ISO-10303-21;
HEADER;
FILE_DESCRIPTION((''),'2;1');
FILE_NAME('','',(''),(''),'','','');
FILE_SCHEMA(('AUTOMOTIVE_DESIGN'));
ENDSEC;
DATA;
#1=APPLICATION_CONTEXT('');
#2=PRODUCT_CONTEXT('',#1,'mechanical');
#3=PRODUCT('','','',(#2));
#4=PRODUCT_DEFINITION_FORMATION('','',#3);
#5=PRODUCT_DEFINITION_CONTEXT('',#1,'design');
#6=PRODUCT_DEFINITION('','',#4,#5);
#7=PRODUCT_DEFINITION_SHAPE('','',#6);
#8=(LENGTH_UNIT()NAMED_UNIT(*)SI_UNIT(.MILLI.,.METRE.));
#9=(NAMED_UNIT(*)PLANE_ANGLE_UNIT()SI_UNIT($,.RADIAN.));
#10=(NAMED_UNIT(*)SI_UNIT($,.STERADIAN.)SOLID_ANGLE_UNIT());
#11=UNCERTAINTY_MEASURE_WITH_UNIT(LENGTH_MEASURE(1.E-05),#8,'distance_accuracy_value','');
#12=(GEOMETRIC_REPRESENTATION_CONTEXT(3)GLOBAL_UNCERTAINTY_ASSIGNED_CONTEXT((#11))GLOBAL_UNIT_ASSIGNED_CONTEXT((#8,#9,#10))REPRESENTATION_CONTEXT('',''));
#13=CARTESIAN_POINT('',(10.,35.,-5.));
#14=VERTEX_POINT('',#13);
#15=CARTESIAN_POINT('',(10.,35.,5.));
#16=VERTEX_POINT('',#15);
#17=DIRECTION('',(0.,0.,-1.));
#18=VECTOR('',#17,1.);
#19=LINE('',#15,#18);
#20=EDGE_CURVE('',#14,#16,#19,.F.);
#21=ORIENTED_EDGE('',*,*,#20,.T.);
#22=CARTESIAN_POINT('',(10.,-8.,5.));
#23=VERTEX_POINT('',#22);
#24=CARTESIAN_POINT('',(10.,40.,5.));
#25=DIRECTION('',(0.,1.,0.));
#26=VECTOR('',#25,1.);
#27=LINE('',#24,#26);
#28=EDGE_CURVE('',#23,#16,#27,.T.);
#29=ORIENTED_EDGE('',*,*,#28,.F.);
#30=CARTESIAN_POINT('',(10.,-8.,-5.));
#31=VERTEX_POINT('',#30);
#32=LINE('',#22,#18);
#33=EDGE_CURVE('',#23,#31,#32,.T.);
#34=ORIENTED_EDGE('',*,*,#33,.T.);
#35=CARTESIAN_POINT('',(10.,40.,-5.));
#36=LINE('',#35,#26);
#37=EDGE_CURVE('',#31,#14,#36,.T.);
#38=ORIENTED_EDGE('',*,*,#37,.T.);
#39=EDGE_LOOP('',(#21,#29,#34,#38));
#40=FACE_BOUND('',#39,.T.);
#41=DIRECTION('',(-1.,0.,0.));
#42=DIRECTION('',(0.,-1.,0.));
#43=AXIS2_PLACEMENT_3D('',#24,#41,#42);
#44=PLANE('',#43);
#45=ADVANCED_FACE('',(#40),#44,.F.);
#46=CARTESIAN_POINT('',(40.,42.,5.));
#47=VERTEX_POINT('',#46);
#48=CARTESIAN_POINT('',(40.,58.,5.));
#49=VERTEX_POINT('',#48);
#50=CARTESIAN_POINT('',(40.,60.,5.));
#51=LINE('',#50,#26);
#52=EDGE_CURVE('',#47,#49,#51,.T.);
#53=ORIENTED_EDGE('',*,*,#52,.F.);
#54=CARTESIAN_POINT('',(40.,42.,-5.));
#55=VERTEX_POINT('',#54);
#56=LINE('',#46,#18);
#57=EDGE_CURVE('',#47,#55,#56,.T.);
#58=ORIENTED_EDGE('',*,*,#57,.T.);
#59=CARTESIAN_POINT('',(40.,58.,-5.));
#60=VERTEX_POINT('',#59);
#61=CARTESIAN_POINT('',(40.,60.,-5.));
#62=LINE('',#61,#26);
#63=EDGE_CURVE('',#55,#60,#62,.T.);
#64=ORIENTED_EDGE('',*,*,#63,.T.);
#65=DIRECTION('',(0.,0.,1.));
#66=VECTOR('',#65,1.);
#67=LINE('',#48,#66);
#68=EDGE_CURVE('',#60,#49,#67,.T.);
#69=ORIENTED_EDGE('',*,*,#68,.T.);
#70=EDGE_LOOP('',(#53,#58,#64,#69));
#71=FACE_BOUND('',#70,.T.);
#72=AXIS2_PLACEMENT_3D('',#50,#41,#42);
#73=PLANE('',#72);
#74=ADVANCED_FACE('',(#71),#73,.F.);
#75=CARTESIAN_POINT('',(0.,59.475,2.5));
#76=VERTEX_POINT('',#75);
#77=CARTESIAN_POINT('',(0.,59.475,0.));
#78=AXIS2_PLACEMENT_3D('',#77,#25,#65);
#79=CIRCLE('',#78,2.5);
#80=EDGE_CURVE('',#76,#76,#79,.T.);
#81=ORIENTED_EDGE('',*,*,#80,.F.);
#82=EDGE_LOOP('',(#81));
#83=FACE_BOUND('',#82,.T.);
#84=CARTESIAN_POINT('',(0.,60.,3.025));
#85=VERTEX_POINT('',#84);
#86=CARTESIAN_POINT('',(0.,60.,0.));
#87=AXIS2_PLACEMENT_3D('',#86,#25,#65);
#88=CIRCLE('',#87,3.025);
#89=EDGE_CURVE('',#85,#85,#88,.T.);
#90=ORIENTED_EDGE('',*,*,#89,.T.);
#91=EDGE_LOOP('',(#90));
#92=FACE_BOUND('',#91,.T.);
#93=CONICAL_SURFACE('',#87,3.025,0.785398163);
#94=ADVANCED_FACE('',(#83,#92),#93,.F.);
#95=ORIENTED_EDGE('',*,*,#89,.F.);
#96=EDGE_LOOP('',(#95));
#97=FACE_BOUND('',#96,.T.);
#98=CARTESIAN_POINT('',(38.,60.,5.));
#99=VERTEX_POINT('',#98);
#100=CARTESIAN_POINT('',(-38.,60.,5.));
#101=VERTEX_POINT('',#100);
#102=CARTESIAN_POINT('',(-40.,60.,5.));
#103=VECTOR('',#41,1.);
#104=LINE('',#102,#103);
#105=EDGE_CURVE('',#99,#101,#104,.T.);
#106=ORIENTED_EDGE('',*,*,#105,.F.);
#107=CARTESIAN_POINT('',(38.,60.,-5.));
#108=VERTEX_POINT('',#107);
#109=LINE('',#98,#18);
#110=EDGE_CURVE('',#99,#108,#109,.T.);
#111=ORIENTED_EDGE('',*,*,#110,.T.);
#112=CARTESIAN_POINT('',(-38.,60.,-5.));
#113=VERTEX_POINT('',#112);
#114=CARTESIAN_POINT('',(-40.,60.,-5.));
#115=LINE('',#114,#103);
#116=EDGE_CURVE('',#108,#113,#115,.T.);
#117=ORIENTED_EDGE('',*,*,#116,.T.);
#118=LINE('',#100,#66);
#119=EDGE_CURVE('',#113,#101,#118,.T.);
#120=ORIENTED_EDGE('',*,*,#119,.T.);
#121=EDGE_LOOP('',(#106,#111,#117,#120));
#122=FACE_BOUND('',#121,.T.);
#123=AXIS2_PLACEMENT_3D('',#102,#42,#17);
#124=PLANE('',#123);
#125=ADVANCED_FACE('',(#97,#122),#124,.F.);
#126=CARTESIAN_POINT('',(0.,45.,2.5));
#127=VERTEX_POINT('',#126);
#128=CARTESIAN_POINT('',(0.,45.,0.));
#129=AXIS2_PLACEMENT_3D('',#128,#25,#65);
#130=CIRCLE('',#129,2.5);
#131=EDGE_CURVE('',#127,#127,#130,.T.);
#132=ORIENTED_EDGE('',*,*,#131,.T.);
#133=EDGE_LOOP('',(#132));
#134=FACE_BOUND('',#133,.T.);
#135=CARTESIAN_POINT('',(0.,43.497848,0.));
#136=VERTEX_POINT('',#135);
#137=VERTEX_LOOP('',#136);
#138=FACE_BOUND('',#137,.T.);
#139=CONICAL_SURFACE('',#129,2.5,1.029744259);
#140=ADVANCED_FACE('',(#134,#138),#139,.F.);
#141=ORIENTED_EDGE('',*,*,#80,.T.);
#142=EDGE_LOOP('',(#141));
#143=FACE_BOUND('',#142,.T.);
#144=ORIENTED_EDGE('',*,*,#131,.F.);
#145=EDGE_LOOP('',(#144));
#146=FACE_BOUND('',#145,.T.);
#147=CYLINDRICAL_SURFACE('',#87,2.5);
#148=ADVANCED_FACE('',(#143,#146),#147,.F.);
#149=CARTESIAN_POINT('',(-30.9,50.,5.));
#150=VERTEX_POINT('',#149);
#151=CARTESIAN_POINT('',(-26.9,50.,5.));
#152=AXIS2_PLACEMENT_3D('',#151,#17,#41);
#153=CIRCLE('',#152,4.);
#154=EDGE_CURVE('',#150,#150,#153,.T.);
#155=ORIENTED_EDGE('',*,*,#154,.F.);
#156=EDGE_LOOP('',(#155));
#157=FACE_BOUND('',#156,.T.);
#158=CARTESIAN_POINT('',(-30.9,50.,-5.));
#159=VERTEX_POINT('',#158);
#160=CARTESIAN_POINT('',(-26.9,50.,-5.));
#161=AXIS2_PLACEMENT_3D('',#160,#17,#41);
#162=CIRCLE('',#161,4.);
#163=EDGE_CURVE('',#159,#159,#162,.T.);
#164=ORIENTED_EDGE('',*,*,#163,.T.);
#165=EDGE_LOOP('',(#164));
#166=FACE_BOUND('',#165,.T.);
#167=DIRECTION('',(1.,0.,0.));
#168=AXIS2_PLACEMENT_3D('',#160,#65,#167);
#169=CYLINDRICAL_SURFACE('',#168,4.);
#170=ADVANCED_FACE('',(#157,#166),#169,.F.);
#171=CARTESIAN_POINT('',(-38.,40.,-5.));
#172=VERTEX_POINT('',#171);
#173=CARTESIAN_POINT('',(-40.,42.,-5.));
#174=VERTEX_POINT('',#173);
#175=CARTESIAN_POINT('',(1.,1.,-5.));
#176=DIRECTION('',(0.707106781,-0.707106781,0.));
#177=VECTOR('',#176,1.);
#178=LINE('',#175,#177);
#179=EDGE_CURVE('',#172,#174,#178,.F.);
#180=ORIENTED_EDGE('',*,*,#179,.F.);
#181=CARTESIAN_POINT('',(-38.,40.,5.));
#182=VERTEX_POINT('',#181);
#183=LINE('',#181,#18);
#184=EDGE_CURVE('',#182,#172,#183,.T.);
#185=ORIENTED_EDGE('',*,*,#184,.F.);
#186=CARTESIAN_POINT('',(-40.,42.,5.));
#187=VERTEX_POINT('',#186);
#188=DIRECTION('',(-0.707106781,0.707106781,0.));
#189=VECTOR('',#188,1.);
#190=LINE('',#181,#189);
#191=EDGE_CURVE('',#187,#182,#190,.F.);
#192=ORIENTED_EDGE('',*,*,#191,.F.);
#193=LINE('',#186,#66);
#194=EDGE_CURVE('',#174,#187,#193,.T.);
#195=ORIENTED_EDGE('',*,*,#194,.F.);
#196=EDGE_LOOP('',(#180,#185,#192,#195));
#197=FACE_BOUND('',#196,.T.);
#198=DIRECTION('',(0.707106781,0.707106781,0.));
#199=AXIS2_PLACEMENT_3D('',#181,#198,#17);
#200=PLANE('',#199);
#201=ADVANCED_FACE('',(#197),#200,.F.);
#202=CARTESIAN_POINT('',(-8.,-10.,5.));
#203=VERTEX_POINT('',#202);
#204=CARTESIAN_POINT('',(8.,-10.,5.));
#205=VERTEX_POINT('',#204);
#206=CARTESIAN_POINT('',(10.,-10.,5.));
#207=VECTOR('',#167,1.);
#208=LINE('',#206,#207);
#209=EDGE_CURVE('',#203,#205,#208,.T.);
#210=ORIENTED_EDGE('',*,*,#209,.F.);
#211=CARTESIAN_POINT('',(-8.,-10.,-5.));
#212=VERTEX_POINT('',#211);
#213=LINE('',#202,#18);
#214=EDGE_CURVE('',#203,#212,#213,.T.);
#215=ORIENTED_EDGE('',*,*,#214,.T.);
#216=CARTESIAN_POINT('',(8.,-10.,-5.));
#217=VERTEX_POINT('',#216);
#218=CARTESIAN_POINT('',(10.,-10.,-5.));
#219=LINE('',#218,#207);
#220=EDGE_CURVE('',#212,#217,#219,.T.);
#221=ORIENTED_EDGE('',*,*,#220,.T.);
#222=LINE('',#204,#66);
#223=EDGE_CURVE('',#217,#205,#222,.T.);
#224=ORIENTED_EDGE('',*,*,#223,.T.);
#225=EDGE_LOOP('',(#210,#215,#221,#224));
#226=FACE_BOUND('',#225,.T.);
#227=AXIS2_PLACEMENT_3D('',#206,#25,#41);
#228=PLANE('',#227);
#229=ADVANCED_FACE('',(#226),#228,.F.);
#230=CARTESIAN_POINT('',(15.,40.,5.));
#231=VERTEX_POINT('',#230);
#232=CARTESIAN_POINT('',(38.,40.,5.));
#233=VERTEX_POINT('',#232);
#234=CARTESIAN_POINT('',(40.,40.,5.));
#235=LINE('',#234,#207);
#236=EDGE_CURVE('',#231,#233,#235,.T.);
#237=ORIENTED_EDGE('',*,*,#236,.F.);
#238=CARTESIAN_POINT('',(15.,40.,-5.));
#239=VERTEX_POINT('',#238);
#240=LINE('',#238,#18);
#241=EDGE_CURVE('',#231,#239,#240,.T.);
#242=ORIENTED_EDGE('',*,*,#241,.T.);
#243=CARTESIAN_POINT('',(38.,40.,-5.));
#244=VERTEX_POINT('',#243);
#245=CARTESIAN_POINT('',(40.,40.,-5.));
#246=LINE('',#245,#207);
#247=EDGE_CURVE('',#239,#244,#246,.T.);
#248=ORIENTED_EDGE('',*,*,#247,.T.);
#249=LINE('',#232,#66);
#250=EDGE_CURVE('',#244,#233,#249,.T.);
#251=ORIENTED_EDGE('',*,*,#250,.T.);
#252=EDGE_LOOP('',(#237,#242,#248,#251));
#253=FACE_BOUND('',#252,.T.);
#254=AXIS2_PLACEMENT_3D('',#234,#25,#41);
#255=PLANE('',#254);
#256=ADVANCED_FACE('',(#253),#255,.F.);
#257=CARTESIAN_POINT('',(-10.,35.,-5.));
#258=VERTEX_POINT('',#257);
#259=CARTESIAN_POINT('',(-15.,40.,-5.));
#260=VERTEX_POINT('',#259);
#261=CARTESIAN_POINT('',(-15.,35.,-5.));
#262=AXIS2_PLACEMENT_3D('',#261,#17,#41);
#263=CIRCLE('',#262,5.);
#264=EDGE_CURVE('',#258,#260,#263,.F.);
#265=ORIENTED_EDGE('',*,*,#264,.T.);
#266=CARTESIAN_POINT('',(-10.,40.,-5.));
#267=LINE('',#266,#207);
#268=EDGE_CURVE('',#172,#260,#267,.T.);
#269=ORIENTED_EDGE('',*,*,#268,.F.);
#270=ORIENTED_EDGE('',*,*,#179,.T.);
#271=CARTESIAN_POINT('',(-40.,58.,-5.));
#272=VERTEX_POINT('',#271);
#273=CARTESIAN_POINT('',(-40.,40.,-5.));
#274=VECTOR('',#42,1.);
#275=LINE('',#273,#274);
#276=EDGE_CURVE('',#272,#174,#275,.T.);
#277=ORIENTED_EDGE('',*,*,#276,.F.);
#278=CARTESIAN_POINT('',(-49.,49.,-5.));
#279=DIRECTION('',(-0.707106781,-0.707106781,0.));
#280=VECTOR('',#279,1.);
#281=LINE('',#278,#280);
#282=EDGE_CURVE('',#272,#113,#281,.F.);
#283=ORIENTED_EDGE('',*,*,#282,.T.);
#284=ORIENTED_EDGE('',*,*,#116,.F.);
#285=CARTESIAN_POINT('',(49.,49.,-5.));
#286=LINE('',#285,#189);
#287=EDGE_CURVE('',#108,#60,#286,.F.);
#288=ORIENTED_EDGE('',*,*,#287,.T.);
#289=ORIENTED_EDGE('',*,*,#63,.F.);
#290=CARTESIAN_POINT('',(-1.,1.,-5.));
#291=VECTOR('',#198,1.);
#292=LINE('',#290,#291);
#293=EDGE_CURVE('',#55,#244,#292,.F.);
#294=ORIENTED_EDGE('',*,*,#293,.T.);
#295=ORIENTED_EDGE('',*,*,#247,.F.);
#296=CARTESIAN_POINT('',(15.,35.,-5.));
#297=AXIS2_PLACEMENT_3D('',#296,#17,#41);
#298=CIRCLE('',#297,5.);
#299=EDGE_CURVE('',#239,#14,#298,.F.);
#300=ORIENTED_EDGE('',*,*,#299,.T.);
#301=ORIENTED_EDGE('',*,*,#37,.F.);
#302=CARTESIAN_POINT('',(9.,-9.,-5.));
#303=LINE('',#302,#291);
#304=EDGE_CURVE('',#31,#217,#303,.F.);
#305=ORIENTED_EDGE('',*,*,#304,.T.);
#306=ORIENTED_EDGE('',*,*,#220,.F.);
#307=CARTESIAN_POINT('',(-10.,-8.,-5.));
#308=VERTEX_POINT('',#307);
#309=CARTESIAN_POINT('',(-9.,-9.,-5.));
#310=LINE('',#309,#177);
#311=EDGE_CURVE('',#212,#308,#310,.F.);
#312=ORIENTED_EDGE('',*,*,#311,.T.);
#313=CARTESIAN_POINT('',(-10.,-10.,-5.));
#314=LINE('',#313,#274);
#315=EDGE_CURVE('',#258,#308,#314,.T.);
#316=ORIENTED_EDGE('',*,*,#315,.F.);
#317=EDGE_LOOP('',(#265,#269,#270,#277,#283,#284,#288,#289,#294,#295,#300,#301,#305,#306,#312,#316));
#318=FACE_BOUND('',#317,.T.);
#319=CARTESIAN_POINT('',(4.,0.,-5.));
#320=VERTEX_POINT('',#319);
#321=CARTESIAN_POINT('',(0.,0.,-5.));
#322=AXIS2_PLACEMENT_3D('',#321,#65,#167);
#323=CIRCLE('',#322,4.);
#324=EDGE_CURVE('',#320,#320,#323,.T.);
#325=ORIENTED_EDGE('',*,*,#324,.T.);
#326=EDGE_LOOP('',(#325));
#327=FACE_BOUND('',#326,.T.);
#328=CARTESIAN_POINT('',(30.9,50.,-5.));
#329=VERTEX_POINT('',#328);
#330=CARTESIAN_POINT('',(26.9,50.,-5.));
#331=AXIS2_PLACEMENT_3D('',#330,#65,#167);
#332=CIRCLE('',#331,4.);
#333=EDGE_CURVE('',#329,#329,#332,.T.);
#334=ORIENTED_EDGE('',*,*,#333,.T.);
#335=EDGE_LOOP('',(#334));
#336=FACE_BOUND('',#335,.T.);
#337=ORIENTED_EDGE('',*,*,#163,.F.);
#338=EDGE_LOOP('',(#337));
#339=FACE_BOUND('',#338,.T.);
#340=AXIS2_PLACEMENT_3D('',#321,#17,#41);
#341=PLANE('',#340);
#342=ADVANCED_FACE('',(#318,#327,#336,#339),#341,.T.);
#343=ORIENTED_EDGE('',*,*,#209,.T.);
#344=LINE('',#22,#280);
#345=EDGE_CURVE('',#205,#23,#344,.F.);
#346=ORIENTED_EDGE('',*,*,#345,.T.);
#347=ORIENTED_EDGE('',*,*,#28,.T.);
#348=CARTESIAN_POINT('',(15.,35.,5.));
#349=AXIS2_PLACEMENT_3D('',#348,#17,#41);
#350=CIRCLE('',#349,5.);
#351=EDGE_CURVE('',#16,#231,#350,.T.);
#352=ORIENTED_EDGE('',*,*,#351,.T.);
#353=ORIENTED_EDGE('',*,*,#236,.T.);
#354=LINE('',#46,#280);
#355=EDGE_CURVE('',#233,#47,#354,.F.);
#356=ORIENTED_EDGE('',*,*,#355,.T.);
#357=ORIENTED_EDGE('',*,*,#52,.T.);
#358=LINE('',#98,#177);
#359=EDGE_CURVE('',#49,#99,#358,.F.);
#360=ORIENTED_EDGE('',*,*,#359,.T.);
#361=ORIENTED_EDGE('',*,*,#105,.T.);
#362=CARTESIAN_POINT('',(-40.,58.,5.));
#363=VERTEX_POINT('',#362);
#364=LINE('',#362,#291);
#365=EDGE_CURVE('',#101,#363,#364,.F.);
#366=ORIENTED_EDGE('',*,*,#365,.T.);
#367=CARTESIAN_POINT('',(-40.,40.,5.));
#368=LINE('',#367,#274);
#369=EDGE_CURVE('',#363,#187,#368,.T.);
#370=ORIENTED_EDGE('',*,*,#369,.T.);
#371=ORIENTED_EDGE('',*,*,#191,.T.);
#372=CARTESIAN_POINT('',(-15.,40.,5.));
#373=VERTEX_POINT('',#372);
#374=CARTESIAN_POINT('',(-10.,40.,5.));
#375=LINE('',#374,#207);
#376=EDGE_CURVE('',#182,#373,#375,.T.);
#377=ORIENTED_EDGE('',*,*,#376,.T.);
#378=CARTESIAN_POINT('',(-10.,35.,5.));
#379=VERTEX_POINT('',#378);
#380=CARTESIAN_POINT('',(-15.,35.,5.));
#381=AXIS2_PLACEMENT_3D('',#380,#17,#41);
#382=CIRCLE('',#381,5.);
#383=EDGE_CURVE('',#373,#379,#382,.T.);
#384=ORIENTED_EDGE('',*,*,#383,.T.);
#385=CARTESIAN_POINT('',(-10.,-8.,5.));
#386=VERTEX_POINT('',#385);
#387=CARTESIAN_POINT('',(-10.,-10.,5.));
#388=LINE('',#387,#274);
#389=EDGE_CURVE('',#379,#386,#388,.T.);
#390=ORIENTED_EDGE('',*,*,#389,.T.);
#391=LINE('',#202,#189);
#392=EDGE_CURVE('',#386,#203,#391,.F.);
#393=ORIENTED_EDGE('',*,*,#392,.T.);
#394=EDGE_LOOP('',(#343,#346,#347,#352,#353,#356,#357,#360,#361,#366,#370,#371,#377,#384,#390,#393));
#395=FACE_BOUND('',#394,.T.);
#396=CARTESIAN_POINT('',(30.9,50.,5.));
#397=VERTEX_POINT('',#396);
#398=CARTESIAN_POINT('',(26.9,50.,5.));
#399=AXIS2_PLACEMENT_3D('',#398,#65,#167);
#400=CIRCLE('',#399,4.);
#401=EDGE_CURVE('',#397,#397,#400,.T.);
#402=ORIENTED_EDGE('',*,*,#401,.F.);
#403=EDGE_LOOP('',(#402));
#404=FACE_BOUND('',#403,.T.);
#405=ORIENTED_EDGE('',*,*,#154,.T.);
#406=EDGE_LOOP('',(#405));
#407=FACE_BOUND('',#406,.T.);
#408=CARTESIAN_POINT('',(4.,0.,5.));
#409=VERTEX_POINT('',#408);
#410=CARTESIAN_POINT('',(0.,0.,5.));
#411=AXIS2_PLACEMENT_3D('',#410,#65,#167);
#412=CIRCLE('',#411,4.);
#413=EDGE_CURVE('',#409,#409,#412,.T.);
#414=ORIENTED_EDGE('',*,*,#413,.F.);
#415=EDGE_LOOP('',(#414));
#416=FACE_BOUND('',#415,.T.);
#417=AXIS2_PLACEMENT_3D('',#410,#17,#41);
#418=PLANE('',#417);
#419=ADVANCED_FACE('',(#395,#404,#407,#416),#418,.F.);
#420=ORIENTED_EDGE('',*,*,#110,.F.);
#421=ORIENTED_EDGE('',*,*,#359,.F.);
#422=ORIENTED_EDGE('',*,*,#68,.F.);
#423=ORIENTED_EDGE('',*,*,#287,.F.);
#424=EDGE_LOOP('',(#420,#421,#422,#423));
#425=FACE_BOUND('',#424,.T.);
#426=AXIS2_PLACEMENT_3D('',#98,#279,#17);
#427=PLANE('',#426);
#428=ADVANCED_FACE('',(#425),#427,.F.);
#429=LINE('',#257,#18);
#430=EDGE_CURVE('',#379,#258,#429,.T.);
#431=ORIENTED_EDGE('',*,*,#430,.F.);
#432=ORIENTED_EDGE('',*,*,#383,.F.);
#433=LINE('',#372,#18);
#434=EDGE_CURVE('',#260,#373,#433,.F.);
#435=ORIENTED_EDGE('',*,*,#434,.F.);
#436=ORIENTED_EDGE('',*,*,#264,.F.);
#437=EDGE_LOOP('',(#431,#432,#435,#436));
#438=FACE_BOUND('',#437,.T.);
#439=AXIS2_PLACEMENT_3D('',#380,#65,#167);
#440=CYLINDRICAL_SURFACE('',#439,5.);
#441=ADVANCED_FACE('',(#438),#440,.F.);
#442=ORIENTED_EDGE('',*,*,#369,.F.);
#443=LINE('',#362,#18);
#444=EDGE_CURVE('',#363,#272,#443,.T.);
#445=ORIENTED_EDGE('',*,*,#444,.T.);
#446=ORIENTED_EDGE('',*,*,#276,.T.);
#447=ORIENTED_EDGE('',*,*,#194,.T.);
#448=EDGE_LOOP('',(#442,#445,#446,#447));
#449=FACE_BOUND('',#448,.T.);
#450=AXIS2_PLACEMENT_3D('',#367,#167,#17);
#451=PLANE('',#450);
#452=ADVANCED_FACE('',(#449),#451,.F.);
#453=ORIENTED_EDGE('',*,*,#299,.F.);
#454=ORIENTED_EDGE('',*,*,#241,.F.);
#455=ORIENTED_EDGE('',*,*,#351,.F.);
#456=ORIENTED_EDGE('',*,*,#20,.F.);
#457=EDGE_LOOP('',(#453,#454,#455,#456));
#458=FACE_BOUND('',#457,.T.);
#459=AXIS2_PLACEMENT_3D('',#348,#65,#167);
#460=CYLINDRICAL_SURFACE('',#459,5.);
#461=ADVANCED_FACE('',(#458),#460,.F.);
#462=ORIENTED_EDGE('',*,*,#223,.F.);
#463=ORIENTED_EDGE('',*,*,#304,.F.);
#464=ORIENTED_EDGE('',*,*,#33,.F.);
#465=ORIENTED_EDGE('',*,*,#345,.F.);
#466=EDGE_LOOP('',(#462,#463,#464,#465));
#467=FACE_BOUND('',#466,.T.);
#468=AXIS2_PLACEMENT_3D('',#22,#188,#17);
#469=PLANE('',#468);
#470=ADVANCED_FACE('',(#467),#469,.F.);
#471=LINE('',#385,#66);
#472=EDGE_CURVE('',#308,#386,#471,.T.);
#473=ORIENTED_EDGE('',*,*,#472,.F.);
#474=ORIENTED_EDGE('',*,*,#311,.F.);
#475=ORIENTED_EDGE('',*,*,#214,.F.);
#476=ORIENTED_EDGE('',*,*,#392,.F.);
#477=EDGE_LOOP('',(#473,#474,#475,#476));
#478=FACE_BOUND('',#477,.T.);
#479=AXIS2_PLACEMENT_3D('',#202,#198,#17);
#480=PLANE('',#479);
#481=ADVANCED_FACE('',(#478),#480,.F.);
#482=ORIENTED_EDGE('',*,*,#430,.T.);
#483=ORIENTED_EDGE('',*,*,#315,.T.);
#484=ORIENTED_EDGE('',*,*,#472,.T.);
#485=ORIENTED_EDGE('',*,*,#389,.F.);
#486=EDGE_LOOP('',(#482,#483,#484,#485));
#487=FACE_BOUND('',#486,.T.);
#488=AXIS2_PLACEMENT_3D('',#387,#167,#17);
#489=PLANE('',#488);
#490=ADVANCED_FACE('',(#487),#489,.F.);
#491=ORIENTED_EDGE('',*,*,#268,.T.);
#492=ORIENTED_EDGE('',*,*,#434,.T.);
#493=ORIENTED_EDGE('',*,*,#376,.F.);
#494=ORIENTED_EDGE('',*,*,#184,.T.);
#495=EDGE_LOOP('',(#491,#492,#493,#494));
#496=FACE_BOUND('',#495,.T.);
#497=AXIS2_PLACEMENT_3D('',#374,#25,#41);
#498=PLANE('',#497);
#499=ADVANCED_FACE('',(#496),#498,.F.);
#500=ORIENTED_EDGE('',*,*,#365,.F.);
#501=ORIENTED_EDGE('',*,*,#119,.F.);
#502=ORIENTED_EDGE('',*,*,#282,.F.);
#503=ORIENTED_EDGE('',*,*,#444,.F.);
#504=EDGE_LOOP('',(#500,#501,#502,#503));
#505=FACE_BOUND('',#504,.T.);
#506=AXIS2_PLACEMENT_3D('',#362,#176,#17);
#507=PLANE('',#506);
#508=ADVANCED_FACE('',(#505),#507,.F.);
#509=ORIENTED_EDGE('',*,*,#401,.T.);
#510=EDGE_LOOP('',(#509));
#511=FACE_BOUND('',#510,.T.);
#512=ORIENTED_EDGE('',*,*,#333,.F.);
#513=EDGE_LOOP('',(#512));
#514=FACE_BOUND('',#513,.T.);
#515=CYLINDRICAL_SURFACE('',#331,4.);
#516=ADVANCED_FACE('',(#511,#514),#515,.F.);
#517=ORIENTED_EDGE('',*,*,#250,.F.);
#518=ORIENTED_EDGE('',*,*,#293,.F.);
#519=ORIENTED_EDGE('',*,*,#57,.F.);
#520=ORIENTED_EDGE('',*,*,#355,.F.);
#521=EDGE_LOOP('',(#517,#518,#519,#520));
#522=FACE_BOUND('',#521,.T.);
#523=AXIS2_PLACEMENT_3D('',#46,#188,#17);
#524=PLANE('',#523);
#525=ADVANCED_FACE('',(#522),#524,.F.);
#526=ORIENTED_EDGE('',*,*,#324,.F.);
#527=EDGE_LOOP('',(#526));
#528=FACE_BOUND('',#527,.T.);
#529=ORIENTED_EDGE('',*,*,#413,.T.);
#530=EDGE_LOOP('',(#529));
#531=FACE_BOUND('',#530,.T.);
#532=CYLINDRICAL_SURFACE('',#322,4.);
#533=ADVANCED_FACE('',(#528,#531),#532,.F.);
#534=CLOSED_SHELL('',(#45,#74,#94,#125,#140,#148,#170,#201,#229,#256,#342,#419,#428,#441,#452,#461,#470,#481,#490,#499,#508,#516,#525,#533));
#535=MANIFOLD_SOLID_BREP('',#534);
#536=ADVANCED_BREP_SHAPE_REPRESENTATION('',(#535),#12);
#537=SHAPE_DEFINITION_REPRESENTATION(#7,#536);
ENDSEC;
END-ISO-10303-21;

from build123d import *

# Parameters (mm, degrees)
PROFILE_SHAPE_DEPTH            = 5
SKETCH2_R                      = 4
LOWER_HOLE_DEPTH               = 11
SKETCH3_R                      = 4
UPPER_HOLE_RIGHT_DEPTH         = 11
M6_TAPPED_HOLE_TOP_D           = 5
M6_TAPPED_HOLE_TOP_DEPTH       = 15
M6_TAPPED_HOLE_TOP_CSINK_D     = 6.05
M6_TAPPED_HOLE_TOP_CSINK_ANGLE = 90
M6_TAPPED_HOLE_TOP_TIP         = 1.502151548
EXTERNAL_EDGES_SIZE            = 2
INTERNAL_EDGES_R               = 5


with BuildPart() as part:
    # Sketch1 → Profile Shape (new body, symmetric)
    with BuildSketch(Plane.XY):
        Polygon((-10, -10), (-10, 40), (-40, 40), (-40, 60), (40, 60), (40, 40), (10, 40), (10, -10), align=None)
    extrude(amount=PROFILE_SHAPE_DEPTH, both=True)

    # Sketch2 → Lower Hole (cut, through all)
    with BuildSketch(Plane.XY.offset(5)):
        Circle(SKETCH2_R)
    extrude(amount=-LOWER_HOLE_DEPTH, mode=Mode.SUBTRACT)

    # Sketch3 → Upper Hole Right (cut, through all)
    with BuildSketch(Plane.XY.offset(5)):
        with Locations((26.9, 50)):
            Circle(SKETCH3_R)
    upper_hole_right = extrude(amount=-UPPER_HOLE_RIGHT_DEPTH, mode=Mode.SUBTRACT)

    # Upper Hole Left: Upper Hole Right across plane
    add(upper_hole_right.mirror(Plane(origin=(0, 0, 0), x_dir=(0, 0, 1), z_dir=(1, 0, 0))), mode=Mode.SUBTRACT)

    # M6 Tapped Hole Top
    with Locations(Plane(origin=(0, 60, 0), x_dir=(1, 0, 0), z_dir=(0, 1, 0))):
        with Locations((0, 0)):
            CounterSinkHole(M6_TAPPED_HOLE_TOP_D / 2, M6_TAPPED_HOLE_TOP_CSINK_D / 2, depth=M6_TAPPED_HOLE_TOP_DEPTH, counter_sink_angle=M6_TAPPED_HOLE_TOP_CSINK_ANGLE)
            with Locations((0, 0, -(M6_TAPPED_HOLE_TOP_DEPTH + M6_TAPPED_HOLE_TOP_TIP / 2))):  # 118° drill point
                Cone(0, M6_TAPPED_HOLE_TOP_D / 2, M6_TAPPED_HOLE_TOP_TIP, mode=Mode.SUBTRACT)

    # External Edges
    external_edges_edges = [part.edges().sort_by_distance(p)[0] for p in [
        (-10, -10, 0),
        (-40, 40, 0),
        (-40, 60, 0),
        (40, 60, 0),
        (40, 40, 0),
        (10, -10, 0),
    ]]
    chamfer(external_edges_edges, length=EXTERNAL_EDGES_SIZE)

    # Internal Edges
    internal_edges_edges = [part.edges().sort_by_distance(p)[0] for p in [
        (-10, 40, 0),
        (10, 40, 0),
    ]]
    fillet(internal_edges_edges, radius=INTERNAL_EDGES_R)


solid = part.part
